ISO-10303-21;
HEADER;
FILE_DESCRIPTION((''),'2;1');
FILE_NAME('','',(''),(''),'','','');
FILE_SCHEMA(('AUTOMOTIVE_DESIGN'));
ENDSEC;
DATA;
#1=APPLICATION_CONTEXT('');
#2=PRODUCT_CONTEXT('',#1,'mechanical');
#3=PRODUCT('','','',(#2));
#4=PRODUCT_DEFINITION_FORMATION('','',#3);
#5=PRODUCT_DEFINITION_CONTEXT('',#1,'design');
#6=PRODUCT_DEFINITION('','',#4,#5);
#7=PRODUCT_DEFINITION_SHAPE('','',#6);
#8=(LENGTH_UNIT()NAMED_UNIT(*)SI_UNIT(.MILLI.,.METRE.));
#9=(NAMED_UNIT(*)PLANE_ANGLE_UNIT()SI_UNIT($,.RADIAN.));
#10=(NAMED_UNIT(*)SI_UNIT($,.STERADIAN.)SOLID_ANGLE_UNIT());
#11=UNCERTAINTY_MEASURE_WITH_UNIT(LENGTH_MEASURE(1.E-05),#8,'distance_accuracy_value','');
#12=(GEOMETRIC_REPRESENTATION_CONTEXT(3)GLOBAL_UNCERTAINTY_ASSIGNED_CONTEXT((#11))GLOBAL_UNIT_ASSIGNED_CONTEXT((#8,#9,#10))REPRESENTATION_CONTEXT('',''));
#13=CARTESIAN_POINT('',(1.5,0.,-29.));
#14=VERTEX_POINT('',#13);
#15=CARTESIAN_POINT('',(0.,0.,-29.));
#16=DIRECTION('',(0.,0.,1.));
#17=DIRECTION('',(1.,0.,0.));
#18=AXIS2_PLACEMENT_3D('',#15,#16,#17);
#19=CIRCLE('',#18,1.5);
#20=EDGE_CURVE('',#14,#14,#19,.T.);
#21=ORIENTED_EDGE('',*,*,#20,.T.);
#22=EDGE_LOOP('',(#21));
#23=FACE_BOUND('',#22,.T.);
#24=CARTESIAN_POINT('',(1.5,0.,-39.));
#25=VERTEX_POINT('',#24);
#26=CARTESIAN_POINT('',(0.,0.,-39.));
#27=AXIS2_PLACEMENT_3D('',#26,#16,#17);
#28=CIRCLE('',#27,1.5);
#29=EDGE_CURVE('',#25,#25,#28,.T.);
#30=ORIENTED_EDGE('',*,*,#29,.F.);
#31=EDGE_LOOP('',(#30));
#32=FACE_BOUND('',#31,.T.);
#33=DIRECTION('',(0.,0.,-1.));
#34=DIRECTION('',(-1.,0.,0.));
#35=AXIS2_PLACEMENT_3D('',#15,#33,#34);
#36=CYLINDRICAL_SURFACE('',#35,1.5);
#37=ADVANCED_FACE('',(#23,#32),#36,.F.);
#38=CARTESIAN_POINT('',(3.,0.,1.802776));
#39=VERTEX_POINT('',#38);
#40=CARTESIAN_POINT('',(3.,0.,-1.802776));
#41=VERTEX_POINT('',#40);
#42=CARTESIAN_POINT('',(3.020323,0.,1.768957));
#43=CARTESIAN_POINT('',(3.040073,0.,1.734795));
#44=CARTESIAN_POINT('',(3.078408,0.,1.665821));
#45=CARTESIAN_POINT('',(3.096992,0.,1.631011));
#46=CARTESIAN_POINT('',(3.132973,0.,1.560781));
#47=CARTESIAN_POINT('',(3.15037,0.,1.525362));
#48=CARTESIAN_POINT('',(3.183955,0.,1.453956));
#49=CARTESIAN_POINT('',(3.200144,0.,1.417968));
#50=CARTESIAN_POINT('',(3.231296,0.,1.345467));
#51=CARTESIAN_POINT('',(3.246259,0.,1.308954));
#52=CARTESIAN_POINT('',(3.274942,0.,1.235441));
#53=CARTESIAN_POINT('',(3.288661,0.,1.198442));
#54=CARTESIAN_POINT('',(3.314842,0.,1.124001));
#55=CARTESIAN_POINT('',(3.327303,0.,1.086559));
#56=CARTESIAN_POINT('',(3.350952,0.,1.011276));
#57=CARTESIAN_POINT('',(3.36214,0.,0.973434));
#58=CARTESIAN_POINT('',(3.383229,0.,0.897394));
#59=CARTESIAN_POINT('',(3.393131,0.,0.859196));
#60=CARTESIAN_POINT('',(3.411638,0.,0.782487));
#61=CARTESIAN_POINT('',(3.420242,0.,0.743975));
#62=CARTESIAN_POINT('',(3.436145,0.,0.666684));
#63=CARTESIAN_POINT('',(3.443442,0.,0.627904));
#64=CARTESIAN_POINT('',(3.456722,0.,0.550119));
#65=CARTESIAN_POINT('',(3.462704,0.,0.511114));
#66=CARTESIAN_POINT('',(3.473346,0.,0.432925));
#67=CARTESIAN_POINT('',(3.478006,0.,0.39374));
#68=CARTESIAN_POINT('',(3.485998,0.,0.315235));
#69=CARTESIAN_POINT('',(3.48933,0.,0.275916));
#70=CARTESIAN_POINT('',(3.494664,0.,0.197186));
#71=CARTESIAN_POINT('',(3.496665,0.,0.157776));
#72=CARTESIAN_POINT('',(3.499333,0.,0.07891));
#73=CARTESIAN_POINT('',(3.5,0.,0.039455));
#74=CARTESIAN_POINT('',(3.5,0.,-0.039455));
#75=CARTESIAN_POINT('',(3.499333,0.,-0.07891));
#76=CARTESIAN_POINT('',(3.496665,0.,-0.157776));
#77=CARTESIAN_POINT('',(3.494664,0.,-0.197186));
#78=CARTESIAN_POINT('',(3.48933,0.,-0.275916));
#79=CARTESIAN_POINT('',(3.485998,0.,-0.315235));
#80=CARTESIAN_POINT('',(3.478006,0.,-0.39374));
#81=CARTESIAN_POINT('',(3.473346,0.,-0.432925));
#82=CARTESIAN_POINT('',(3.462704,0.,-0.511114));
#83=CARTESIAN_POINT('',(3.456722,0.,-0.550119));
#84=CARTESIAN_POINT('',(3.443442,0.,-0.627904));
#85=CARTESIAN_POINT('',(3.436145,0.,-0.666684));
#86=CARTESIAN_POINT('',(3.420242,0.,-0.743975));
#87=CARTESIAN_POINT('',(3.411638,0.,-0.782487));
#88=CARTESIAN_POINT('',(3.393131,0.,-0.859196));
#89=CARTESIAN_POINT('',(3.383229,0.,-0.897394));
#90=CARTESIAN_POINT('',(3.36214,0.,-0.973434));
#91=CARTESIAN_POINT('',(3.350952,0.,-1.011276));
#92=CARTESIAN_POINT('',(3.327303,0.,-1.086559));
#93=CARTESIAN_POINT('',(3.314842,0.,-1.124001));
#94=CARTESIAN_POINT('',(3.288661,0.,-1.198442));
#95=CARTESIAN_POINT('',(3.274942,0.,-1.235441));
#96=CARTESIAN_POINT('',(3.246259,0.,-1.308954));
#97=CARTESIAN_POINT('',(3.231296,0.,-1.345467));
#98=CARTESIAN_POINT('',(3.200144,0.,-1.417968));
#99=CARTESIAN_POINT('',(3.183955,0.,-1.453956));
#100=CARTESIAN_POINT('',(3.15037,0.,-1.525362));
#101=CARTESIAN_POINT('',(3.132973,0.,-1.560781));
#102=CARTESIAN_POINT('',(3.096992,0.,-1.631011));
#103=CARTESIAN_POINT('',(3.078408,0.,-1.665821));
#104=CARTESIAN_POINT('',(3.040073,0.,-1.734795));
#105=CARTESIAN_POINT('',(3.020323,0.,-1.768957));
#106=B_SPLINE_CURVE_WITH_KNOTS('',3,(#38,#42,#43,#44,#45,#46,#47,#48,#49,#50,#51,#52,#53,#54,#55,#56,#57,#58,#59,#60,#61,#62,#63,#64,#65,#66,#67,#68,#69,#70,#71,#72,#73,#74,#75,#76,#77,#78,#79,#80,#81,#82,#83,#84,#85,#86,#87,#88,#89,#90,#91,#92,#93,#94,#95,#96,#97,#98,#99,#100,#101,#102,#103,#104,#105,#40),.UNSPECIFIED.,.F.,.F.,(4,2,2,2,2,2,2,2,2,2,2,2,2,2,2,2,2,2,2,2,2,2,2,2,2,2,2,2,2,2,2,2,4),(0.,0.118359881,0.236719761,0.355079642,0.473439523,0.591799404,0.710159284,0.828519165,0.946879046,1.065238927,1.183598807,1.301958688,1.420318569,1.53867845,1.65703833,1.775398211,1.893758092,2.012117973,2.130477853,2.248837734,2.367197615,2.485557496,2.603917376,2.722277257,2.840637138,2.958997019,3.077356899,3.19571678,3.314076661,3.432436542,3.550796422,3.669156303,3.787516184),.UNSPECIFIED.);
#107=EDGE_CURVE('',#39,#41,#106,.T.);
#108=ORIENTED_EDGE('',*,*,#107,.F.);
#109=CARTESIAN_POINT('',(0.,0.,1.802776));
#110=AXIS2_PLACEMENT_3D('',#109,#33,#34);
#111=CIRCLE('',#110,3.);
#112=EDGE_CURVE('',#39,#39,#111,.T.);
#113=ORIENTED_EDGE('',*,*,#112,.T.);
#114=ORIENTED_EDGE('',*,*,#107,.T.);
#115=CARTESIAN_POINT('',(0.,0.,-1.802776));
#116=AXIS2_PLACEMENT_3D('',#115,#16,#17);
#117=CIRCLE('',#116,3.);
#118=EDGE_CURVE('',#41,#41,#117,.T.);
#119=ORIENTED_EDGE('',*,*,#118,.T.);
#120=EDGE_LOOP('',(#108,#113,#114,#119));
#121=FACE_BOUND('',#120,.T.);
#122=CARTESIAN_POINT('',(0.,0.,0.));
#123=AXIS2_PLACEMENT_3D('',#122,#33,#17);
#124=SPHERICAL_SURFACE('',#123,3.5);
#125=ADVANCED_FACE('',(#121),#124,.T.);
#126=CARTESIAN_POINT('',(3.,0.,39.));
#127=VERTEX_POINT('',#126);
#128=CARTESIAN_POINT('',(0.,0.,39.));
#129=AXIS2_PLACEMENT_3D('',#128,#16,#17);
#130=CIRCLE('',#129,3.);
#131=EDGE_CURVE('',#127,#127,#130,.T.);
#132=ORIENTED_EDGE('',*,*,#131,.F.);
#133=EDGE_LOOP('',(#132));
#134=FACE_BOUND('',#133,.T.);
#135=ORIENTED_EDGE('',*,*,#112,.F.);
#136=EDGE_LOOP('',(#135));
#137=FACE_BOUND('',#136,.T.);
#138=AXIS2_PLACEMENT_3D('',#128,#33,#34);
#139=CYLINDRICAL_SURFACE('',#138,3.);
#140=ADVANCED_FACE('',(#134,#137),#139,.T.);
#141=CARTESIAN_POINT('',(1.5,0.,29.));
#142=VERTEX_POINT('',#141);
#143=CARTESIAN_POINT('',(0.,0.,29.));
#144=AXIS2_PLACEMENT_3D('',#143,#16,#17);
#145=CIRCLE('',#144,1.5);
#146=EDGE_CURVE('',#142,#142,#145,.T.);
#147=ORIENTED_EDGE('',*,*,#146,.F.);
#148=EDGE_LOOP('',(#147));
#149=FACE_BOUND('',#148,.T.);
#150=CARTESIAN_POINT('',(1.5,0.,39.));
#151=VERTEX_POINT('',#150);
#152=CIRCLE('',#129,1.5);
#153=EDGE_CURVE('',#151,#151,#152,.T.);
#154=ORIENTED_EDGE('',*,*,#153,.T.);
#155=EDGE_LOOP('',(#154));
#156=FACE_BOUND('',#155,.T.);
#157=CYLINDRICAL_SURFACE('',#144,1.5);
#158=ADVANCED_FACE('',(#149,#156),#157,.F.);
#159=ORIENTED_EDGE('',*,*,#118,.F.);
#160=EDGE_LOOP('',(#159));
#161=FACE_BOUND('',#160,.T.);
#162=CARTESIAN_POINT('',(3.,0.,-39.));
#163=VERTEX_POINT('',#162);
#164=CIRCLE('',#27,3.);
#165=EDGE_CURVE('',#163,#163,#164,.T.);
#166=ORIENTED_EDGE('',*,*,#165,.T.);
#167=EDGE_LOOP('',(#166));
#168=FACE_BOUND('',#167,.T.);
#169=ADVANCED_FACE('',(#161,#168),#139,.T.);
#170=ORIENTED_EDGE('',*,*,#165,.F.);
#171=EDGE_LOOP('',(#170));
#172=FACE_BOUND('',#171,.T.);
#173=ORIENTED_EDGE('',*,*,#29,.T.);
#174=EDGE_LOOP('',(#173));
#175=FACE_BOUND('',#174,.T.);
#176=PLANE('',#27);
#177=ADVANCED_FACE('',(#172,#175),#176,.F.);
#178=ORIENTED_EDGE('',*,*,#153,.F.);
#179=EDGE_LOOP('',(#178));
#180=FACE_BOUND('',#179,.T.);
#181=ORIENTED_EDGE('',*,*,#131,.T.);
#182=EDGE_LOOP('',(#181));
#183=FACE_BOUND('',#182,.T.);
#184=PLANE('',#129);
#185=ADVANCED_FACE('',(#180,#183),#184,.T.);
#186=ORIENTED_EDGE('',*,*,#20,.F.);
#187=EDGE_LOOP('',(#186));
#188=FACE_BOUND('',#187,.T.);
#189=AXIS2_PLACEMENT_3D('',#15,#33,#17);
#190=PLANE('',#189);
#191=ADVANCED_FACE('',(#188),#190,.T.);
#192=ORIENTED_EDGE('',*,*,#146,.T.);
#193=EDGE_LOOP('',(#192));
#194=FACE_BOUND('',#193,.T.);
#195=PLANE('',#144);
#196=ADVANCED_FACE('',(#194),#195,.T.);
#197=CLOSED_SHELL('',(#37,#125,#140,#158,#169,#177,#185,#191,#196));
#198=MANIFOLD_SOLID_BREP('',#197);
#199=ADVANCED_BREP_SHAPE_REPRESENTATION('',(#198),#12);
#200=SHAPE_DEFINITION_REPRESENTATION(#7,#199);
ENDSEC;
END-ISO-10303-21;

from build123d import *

# Parameters (mm, degrees)
ESQUISSE1_R             = 3
EXTRUSION1_DEPTH        = 39
ESQUISSE2_R             = 1.5
ENL_V_MAT_EXTRU_1_DEPTH = 10


with BuildPart() as part:
    # Esquisse1 → Extrusion1 (new, symmetric)
    with BuildSketch(Plane.XY):
        Circle(ESQUISSE1_R)
    extrude(amount=EXTRUSION1_DEPTH, both=True)

    # Esquisse2 → Enlèv. mat.-Extru.1 (cut)
    with BuildSketch(Plane.XY.offset(39)):
        Circle(ESQUISSE2_R)
    enl_v_mat_extru_1 = extrude(amount=-ENL_V_MAT_EXTRU_1_DEPTH, mode=Mode.SUBTRACT)

    # Symétrie1: Enlèv. mat.-Extru.1 across plane
    add(enl_v_mat_extru_1.mirror(Plane.XY), mode=Mode.SUBTRACT)

    # Esquisse3 → Révolution1 (revolve)
    with BuildSketch(Plane(origin=(0, 0, 0), x_dir=(1, 0, 0), z_dir=(0, 1, 0))):
        with BuildLine():
            Line((0, 3.5), (0, -3.5))
            ThreePointArc((0, -3.5), (3.5, 0), (0, 3.5))
        make_face()
    revolve(axis=Axis((0, 0, -41.019136627), (0, 0, 1)))


solid = part.part
